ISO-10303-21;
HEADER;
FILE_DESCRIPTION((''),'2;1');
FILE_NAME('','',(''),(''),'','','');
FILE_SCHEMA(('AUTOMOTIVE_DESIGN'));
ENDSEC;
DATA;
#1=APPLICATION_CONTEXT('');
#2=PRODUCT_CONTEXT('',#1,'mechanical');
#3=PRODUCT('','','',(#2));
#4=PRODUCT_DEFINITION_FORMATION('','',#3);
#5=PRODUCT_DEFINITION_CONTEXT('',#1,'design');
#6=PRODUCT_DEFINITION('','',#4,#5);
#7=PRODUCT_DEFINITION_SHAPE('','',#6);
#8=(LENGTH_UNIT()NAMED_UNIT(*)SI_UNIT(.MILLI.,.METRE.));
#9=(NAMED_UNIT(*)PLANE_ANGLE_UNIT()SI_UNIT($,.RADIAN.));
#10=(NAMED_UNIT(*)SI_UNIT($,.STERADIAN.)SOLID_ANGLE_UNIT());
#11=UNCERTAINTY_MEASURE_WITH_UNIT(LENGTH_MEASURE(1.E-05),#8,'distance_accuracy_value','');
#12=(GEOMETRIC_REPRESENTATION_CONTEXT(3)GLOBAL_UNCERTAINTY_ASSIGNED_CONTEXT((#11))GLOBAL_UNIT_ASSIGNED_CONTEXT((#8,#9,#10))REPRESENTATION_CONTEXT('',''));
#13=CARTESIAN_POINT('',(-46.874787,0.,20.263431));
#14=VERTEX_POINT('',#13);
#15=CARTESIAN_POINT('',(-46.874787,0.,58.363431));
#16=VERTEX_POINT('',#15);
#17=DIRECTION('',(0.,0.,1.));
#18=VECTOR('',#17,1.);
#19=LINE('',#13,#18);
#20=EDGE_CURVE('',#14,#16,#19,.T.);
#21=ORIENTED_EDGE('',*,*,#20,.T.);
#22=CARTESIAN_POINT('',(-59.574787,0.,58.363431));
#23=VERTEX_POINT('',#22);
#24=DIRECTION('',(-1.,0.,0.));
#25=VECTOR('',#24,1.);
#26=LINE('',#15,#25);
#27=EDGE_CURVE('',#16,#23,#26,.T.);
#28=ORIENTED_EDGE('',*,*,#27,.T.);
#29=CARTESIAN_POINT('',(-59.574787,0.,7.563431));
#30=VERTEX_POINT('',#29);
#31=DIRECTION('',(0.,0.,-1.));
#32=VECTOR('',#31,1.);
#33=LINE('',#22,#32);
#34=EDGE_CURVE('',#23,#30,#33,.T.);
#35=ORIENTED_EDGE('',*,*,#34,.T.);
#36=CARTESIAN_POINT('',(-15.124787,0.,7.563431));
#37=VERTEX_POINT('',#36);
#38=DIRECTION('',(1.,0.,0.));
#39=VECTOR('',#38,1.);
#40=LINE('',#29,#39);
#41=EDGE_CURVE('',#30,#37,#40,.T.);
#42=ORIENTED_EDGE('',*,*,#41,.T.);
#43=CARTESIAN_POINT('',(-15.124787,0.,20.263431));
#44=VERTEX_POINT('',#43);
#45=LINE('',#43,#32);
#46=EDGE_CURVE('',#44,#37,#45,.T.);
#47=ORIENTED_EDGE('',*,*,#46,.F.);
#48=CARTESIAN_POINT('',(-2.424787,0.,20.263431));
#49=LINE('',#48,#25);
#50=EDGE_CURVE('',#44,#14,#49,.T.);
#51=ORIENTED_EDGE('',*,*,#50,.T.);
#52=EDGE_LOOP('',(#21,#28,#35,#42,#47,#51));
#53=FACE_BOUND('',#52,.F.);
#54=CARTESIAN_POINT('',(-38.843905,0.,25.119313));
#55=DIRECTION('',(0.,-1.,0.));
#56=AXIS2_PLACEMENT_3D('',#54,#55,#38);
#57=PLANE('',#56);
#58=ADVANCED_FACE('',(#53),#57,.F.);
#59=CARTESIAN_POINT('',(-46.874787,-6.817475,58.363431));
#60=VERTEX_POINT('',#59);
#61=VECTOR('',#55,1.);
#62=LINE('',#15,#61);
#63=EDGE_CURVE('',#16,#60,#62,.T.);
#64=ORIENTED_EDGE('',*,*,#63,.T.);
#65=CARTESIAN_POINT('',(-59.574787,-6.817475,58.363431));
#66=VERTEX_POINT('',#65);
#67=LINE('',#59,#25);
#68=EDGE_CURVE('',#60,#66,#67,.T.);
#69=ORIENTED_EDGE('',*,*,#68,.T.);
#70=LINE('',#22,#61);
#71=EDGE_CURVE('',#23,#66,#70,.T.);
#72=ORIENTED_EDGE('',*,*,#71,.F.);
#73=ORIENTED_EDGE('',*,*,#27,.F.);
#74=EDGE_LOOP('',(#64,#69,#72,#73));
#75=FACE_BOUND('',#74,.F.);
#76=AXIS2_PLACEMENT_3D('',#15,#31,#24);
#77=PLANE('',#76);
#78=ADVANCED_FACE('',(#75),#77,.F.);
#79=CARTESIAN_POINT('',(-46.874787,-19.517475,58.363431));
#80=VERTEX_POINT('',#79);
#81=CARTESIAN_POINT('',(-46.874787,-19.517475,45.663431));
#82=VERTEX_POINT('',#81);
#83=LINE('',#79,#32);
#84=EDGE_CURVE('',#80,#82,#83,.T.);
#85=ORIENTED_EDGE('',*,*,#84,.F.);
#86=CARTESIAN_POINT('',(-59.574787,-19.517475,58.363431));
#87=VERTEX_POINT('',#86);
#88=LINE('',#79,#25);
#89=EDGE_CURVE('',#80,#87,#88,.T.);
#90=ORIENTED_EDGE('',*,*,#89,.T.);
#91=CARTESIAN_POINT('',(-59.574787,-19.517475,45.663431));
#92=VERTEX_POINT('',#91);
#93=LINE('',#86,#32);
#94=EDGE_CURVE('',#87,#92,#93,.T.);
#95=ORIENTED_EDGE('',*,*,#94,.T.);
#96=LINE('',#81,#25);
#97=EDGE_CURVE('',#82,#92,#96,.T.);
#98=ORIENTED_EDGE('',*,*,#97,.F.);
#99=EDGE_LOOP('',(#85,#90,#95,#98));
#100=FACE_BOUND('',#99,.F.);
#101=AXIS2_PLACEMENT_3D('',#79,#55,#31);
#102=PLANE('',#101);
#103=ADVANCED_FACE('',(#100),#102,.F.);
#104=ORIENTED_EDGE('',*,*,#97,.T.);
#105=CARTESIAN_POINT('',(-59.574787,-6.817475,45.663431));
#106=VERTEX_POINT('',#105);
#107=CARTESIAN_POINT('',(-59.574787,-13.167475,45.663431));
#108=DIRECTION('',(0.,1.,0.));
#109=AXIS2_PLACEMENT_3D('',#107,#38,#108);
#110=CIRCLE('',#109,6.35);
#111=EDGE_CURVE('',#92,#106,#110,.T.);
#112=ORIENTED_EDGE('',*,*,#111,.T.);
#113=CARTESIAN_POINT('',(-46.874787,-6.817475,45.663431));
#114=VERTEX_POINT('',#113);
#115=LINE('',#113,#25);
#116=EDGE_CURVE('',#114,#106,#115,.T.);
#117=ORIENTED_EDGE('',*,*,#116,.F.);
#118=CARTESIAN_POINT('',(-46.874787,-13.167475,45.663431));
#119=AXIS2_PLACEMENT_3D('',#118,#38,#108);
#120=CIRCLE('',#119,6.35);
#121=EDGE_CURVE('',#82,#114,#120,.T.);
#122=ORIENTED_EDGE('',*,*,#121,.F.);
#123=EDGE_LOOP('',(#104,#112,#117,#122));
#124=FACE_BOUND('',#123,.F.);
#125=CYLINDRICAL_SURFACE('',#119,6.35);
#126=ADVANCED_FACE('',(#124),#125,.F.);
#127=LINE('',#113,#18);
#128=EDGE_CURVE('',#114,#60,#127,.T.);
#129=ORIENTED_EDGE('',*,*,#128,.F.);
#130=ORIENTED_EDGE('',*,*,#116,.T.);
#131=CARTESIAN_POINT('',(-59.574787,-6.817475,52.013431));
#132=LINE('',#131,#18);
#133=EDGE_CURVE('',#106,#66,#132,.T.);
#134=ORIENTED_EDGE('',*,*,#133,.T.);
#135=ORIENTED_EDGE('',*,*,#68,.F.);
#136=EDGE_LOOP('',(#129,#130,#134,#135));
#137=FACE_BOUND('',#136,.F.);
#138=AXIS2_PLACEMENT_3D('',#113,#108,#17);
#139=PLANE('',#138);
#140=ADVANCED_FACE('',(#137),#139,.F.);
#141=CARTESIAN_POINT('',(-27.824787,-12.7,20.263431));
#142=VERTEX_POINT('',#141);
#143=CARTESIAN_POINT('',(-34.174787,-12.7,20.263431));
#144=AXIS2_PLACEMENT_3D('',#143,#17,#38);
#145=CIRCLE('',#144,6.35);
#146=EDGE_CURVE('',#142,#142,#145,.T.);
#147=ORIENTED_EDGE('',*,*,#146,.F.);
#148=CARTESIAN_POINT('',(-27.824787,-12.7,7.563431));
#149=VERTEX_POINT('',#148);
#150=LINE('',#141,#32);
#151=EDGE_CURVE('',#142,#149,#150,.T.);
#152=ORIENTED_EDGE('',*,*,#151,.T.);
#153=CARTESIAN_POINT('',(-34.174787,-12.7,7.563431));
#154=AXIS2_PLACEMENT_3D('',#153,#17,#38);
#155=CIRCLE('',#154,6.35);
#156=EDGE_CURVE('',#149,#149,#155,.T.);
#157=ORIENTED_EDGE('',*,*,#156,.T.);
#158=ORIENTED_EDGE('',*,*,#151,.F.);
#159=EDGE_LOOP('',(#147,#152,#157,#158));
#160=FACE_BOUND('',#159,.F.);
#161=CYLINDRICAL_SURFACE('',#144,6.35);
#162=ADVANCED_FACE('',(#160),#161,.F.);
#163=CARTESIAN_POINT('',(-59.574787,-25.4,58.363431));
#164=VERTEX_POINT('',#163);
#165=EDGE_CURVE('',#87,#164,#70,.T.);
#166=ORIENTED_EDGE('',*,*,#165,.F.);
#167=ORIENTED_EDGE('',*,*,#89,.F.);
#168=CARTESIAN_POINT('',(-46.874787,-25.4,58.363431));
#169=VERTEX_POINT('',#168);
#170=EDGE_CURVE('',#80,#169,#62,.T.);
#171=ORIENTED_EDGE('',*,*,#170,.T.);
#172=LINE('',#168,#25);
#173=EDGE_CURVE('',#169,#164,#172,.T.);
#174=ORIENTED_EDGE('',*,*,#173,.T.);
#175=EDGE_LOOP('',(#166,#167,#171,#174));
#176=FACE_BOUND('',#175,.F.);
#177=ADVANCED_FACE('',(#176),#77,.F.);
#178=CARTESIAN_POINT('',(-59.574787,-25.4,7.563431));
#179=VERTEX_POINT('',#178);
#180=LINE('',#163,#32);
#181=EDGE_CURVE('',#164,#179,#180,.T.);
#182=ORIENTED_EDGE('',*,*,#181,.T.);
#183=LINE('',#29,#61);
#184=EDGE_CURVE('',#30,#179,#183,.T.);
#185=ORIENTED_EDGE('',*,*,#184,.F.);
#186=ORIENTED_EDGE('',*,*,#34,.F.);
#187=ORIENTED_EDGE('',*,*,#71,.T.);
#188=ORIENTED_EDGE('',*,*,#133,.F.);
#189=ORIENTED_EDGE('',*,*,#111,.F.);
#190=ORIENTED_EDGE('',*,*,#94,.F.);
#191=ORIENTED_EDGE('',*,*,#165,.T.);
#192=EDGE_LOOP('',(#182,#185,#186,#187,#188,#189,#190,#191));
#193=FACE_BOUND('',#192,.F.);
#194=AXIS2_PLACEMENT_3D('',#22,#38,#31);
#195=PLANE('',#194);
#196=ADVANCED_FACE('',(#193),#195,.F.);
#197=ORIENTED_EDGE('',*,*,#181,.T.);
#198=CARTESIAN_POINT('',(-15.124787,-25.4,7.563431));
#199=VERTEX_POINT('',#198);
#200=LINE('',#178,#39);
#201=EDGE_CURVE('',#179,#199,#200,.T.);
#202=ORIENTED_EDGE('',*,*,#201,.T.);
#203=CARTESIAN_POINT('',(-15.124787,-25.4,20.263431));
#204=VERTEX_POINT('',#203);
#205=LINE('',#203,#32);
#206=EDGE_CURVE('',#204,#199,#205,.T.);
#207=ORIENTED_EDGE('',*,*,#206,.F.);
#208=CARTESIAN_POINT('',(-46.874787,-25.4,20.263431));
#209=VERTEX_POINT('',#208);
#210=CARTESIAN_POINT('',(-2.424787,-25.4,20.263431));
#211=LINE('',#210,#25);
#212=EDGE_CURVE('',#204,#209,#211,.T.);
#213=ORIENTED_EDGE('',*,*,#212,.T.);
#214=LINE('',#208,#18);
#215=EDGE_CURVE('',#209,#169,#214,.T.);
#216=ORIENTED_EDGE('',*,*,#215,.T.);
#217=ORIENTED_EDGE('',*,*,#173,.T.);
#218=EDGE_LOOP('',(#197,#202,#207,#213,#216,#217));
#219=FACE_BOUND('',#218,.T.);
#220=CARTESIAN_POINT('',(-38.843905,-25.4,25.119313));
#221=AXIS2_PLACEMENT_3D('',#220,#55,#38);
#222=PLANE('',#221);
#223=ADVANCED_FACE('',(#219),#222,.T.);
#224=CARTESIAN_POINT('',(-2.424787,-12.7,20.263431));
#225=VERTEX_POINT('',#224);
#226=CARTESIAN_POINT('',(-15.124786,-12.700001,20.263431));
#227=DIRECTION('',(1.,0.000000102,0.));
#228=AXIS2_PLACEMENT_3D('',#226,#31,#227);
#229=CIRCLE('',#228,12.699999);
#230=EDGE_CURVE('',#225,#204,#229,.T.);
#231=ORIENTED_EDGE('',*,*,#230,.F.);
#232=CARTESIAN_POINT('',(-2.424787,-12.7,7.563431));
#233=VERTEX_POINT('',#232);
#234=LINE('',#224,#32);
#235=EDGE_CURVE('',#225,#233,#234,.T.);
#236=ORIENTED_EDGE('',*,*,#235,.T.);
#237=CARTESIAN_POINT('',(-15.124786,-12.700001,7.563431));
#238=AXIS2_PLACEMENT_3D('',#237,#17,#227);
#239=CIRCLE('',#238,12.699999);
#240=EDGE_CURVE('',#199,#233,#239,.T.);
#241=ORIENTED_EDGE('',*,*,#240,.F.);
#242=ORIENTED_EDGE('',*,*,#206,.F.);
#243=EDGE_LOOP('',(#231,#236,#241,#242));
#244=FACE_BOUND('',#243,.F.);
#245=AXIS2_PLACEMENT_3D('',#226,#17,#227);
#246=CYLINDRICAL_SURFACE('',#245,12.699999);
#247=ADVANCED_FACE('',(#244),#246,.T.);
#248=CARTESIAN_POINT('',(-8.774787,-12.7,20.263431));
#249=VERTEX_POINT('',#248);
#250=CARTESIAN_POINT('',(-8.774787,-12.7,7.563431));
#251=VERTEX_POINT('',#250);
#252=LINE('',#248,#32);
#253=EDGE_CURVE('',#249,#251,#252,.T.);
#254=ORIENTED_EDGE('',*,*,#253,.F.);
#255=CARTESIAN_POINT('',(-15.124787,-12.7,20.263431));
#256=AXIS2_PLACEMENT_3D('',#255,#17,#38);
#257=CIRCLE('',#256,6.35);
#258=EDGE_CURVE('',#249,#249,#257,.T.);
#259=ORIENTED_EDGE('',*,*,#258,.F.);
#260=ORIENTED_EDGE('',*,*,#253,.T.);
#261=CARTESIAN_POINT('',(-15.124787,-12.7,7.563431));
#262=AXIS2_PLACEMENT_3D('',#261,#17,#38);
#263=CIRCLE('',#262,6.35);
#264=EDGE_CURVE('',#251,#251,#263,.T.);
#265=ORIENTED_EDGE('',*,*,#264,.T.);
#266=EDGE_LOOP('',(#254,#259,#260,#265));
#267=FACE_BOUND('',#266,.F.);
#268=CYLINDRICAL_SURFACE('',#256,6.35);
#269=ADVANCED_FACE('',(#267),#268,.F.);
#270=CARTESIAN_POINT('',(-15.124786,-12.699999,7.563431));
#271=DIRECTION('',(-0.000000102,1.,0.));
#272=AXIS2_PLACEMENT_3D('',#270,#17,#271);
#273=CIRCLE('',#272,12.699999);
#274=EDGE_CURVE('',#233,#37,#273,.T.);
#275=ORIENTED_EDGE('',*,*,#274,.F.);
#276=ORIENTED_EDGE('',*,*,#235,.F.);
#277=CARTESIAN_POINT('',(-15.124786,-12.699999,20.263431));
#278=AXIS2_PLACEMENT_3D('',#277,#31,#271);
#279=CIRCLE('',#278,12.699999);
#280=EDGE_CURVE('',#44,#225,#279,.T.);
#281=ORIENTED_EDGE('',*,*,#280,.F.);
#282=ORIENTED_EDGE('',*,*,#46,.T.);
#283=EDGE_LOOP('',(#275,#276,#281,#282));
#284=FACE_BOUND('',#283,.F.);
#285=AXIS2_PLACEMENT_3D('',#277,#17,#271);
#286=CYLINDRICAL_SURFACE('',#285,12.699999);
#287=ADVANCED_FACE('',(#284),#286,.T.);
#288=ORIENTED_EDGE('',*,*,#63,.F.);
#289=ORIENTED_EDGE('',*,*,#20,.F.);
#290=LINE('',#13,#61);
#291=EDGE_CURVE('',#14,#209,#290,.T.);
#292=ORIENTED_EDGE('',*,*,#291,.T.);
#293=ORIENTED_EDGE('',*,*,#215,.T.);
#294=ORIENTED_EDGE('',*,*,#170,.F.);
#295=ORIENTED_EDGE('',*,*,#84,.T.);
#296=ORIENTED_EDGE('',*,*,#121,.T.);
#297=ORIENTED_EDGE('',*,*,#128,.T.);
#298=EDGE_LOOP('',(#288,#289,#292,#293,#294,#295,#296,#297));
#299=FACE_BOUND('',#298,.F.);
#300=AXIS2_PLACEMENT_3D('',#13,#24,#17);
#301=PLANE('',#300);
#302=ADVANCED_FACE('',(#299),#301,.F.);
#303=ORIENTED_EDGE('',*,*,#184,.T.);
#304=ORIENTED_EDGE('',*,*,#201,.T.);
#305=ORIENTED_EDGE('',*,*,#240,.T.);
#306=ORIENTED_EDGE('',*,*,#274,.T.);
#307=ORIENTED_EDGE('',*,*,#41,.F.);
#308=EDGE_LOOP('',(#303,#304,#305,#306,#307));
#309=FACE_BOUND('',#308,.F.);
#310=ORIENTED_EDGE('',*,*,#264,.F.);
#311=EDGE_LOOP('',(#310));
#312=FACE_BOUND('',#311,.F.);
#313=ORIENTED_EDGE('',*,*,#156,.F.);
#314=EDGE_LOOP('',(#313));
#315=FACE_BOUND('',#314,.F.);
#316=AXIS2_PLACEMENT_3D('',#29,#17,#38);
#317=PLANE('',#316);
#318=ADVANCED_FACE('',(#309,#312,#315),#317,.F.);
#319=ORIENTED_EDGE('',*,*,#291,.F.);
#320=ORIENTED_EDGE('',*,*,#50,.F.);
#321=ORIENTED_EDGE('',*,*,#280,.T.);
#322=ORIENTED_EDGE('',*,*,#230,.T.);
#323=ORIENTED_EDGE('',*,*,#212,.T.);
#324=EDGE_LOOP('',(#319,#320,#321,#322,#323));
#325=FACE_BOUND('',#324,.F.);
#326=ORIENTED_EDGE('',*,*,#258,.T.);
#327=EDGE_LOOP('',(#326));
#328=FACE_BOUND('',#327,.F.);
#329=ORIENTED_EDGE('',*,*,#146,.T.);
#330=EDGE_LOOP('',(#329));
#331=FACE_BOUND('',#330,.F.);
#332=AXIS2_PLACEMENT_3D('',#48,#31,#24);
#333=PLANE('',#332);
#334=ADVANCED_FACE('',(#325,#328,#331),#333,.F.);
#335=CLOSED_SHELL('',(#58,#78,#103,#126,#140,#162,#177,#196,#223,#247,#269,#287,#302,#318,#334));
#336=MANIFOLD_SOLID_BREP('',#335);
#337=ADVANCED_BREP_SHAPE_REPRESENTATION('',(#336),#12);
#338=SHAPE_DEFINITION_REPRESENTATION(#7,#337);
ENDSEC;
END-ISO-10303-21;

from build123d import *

# Parameters (mm, degrees)
F1_DEPTH = 25.4
F2_R     = 6.35
F3_DEPTH = 25.4
F6_DEPTH = 25.4


with BuildPart() as f1:
    # F0 (on Front) → F1 (new body)
    with BuildSketch(Plane.XZ):
        Polygon((-46.874787, 58.363431), (-59.574787, 58.363431), (-59.574787, 7.563431), (-2.424787, 7.563431), (-2.424787, 20.263431), (-46.874787, 20.263431), align=None)
    extrude(amount=F1_DEPTH)

    # F2 (on face) → F3 (cut)
    with BuildSketch(Plane.XY.offset(20.263431)):
        with Locations((-34.174787, -12.7)):
            Circle(F2_R)
        with Locations((-15.124787, -12.7)):
            Circle(F2_R)
        with BuildLine():
            ThreePointArc((-15.124787, 0), (-6.14453, -3.719744), (-2.424787, -12.7))
            Line((-2.424787, -12.7), (-2.424787, 0))
            Line((-2.424787, 0), (-15.124787, 0))
        make_face()
        with BuildLine():
            ThreePointArc((-2.424787, -12.7), (-6.14453, -21.680256), (-15.124787, -25.4))
            Line((-15.124787, -25.4), (-2.424787, -25.4))
            Line((-2.424787, -25.4), (-2.424787, -12.7))
        make_face()
    extrude(amount=-F3_DEPTH, mode=Mode.SUBTRACT)

    # F4 (on face) → F6 (cut)
    with BuildSketch(Plane.YZ.offset(-46.874787)):
        with BuildLine():
            ThreePointArc((-19.517475, 45.663431), (-13.167475, 39.313431), (-6.817475, 45.663431))
            ThreePointArc((-6.817475, 45.663431), (-13.167475, 52.013431), (-19.517475, 45.663431))
        make_face()
        with BuildLine():
            ThreePointArc((-19.517475, 45.663431), (-13.167475, 52.013431), (-6.817475, 45.663431))
            Line((-6.817475, 45.663431), (-6.817475, 58.363431))
            Line((-6.817475, 58.363431), (-19.517475, 58.363431))
            Line((-19.517475, 58.363431), (-19.517475, 45.663431))
        make_face()
    extrude(amount=-F6_DEPTH, mode=Mode.SUBTRACT)


solid = f1.part
